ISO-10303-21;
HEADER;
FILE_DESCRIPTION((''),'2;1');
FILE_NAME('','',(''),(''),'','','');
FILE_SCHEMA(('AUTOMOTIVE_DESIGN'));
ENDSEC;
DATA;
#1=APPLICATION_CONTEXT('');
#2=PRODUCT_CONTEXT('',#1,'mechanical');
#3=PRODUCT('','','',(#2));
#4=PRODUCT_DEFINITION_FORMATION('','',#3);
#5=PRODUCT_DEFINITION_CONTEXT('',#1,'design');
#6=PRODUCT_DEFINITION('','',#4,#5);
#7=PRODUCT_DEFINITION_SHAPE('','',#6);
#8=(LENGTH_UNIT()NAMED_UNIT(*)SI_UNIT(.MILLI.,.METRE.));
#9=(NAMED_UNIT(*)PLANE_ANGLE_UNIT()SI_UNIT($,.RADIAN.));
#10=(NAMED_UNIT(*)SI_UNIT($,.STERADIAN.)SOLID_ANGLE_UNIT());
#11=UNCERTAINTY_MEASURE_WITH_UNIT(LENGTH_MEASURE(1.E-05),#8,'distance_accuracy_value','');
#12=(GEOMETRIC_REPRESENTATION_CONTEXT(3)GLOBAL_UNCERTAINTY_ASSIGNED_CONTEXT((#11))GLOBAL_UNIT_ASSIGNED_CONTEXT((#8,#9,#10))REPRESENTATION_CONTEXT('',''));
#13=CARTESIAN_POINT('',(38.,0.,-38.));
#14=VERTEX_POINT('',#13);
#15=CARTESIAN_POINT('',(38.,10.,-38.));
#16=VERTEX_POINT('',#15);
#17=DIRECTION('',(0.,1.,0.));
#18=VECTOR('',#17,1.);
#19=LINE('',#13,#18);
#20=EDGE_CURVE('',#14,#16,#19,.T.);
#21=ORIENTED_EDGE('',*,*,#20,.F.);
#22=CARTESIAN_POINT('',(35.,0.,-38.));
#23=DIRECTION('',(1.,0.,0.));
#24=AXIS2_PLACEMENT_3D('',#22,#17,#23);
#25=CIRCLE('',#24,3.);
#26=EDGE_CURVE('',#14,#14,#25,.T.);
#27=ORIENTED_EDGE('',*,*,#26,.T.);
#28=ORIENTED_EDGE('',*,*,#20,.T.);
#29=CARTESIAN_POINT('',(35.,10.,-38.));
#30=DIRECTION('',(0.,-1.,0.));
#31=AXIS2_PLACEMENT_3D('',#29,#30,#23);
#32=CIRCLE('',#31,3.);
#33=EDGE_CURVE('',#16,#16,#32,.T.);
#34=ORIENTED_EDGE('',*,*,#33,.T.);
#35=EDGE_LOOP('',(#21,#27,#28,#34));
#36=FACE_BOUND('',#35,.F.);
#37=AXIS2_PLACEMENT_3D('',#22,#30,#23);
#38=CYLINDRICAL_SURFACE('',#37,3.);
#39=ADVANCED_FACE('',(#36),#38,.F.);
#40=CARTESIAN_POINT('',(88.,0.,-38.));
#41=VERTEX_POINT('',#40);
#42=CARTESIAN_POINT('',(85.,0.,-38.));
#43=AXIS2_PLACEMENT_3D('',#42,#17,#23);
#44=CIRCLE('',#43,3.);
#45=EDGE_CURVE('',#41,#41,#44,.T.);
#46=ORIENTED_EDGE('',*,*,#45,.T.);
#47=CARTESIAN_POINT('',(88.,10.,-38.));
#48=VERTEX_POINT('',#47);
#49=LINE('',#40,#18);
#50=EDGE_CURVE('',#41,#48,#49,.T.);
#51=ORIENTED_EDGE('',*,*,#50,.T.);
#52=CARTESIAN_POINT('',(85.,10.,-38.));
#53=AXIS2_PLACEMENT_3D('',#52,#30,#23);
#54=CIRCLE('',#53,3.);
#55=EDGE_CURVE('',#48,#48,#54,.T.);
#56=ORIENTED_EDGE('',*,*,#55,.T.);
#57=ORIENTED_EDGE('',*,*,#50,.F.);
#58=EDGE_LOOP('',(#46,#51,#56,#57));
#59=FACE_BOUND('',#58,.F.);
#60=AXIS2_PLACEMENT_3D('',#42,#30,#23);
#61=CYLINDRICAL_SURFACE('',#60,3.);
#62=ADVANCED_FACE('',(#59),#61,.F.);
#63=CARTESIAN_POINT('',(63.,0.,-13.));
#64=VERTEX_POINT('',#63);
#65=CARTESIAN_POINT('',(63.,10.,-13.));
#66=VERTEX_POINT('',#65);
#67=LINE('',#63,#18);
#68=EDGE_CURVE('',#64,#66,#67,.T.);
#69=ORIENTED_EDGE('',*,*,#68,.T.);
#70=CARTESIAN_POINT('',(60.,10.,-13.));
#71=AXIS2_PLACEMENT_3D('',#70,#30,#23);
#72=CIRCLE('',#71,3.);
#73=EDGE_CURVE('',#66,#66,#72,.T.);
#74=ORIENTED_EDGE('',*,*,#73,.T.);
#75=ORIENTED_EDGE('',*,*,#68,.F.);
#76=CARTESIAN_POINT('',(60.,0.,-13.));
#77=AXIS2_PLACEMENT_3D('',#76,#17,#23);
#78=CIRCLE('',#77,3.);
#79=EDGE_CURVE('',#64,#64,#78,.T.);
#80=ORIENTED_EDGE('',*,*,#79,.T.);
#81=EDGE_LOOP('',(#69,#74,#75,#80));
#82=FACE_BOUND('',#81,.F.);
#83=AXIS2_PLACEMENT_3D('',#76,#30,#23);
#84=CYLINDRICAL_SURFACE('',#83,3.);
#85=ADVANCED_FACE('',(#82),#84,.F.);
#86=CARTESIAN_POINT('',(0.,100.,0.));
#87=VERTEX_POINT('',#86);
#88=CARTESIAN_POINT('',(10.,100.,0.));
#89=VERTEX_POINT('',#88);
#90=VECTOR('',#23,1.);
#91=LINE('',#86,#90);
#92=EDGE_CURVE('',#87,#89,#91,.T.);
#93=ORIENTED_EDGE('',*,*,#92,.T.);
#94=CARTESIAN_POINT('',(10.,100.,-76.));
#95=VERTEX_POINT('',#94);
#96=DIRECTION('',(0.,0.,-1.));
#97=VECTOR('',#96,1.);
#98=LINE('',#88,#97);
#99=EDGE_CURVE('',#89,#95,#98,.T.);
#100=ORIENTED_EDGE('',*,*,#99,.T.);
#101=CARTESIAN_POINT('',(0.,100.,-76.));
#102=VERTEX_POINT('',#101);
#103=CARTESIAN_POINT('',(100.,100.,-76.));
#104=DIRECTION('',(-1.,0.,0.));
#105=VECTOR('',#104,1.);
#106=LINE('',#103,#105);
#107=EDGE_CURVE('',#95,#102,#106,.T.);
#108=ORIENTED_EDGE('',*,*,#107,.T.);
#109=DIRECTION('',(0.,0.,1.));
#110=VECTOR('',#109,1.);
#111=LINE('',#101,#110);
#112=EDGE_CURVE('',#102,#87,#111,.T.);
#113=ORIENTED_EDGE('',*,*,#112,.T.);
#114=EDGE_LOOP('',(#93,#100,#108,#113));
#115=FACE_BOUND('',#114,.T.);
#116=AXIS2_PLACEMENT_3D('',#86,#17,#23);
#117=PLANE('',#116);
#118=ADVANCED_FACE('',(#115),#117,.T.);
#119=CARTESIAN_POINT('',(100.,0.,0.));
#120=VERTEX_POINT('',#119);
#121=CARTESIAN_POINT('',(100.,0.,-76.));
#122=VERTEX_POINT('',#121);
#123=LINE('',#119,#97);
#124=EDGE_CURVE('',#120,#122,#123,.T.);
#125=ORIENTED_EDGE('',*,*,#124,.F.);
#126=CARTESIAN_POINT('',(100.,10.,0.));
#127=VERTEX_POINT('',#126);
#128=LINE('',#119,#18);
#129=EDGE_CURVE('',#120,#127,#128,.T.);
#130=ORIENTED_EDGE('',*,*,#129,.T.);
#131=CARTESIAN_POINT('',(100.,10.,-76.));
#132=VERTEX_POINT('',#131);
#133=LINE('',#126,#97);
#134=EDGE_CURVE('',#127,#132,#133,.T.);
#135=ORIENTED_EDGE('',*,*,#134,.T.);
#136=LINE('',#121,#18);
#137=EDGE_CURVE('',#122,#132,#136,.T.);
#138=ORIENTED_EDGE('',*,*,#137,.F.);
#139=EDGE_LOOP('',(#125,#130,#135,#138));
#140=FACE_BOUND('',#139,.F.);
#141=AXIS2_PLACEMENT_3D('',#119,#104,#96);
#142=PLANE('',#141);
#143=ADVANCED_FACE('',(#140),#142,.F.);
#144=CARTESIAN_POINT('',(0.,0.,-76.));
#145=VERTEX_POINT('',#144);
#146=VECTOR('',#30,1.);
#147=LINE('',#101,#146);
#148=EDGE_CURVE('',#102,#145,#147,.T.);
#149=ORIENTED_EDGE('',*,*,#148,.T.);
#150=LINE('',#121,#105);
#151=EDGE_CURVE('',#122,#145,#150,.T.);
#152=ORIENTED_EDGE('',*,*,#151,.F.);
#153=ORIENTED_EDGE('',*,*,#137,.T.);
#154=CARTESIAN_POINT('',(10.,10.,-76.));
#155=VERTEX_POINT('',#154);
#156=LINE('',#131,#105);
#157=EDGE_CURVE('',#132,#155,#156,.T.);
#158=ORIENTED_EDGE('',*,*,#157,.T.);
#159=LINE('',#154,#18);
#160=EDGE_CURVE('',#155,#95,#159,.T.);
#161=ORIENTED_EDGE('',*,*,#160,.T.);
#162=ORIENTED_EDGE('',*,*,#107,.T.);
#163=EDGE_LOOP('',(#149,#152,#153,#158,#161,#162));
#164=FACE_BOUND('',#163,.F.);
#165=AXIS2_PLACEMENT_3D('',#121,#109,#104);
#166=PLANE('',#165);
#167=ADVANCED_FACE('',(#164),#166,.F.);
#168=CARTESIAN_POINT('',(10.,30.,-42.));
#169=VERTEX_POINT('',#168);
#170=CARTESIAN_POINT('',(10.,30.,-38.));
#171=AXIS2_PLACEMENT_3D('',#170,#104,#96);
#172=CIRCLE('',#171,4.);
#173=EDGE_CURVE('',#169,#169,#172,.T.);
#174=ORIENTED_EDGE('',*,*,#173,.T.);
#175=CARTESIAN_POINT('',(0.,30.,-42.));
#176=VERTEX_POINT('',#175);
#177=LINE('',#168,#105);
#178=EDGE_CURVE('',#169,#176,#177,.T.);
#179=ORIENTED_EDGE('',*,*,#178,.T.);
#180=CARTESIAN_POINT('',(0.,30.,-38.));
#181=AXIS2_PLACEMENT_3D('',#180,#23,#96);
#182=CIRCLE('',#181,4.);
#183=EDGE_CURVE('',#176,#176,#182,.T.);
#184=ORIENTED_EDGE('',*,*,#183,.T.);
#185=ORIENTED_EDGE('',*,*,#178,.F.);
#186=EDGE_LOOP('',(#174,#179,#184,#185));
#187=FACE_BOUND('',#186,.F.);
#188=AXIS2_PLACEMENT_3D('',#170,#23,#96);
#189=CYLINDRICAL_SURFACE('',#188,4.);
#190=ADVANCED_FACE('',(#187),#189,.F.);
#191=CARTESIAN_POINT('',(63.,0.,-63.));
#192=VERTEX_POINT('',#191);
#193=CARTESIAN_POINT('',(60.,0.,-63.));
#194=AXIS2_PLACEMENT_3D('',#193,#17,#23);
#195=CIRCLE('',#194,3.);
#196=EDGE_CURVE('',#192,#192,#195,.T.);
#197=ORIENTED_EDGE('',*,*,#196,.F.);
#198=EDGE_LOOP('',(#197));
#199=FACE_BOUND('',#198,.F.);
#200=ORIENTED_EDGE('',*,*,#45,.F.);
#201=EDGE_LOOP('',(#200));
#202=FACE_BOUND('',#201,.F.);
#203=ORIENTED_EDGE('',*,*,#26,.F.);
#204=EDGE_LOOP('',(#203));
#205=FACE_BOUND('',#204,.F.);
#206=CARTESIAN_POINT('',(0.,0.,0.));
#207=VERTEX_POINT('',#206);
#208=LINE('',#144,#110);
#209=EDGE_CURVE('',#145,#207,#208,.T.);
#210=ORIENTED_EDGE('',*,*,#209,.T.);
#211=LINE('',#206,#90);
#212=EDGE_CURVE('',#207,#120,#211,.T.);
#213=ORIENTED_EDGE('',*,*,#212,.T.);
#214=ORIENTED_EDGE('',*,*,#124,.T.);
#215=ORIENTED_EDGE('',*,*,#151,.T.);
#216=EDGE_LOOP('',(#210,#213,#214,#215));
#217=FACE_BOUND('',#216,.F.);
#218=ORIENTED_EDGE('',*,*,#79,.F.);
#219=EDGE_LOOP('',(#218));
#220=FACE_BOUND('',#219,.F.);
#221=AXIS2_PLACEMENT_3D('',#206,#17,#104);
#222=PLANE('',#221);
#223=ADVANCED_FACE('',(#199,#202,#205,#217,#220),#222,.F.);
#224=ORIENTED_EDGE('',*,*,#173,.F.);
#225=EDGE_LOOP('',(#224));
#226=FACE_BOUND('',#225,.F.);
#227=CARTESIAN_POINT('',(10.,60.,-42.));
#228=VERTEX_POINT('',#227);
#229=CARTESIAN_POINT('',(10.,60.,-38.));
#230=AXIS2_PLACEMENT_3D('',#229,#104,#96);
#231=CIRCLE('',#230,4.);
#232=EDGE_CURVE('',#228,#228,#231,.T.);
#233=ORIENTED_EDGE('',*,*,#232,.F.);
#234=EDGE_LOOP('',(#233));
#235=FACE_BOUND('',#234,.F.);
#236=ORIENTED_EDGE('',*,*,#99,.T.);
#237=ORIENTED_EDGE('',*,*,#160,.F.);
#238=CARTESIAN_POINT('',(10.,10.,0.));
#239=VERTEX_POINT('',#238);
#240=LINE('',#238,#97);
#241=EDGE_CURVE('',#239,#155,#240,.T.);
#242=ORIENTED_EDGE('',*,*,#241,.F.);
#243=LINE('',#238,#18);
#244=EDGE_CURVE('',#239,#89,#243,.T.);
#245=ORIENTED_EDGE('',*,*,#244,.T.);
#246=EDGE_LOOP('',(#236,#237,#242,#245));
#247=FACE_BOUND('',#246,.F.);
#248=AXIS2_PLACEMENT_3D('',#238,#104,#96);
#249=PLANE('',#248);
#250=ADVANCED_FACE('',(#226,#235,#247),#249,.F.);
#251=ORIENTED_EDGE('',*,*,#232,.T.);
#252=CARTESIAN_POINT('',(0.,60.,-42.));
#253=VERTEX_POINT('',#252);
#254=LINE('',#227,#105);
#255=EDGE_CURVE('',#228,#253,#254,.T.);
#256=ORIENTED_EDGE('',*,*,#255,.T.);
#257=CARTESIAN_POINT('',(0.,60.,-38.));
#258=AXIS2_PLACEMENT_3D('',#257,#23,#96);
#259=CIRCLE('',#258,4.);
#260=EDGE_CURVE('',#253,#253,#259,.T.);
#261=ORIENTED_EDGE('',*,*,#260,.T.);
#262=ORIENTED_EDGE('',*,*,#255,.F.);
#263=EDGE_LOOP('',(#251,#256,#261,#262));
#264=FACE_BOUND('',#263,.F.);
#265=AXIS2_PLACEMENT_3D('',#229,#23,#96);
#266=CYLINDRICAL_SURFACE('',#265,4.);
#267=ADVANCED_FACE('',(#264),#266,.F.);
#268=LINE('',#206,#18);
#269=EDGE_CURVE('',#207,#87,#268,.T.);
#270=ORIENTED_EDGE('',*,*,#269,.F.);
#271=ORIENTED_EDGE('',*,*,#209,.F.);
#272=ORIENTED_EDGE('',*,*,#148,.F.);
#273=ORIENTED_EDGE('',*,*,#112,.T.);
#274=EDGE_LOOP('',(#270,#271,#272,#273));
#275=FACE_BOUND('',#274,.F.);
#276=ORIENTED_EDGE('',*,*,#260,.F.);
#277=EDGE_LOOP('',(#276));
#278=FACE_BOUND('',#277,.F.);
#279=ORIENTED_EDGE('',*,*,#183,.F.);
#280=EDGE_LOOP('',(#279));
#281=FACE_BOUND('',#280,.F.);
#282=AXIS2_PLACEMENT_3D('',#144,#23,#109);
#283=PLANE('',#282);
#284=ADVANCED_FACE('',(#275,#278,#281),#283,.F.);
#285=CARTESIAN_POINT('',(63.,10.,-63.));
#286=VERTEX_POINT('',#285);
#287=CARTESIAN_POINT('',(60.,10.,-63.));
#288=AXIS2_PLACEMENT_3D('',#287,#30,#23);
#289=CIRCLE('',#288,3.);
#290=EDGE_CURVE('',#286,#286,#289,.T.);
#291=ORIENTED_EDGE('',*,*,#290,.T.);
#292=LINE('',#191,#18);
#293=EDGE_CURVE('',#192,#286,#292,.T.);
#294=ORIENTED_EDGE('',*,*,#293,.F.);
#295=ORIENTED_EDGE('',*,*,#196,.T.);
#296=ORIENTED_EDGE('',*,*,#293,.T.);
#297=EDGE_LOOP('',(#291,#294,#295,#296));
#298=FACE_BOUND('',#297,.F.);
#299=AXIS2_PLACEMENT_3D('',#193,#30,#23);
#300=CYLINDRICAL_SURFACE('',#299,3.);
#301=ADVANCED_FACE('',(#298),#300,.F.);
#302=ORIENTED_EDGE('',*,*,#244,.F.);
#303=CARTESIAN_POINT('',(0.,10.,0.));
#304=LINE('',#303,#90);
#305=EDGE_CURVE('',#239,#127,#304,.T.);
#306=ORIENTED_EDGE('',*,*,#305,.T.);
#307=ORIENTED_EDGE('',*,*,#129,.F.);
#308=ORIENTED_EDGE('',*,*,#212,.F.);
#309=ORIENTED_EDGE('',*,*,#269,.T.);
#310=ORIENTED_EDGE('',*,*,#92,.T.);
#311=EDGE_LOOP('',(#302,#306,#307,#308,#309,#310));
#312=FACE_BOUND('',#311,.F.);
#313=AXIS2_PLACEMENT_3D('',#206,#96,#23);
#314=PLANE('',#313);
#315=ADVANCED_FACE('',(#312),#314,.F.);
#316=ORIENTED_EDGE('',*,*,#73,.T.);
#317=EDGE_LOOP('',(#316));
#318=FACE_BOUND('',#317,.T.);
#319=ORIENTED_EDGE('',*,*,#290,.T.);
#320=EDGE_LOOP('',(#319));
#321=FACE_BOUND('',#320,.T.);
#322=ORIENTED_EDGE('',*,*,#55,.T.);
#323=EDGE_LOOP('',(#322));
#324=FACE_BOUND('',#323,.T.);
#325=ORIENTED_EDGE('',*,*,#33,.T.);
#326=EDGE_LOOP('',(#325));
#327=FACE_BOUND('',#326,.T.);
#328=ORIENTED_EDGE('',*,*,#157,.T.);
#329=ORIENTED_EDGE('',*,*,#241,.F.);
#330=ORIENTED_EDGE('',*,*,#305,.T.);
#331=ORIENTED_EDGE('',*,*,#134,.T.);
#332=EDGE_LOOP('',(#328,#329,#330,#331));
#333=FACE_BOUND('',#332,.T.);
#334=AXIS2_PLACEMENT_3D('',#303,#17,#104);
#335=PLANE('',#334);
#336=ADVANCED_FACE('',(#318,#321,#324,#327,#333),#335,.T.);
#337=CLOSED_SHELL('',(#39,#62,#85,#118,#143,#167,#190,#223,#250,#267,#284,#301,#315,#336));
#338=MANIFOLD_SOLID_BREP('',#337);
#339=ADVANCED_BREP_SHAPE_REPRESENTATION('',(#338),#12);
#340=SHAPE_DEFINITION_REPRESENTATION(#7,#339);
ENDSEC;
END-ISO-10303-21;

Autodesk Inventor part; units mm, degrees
ref_plane "YZ Plane" through (0, 0, 0) normal (1, 0, 0) x (0, 1, 0)
ref_plane "XZ Plane" through (0, 0, 0) normal (0, 1, 0) x (-1, 0, 0)
ref_plane "XY Plane" through (0, 0, 0) normal (0, 0, 1) x (1, 0, 0)
sketch "Sketch1" plane through (0, 0, 0) normal (0, 1, 0) x (-1, 0, 0)
  line L0 (0, 0) -> (-100, 0)
  line L1 (-100, 0) -> (-100, -76)
  line L2 (-100, -76) -> (0, -76)
  line L3 (0, -76) -> (0, 0)
  dimension "d0" = 100
  dimension "d1" = 76
extrude "Extrusion1" add sketch "Sketch1" along normal blind 10
sketch "Sketch2" plane through (0, 10, 0) normal (0, 1, 0) x (1, 0, 0)
  line L0 (0, 0) -> (100, 0) projected
  line L1 (100, 76) -> (0, 76) projected
  line L2 (0, 0) -> (10, 0)
  line L3 (10, 0) -> (10, 76)
  line L4 (10, 76) -> (0, 76)
  line L5 (0, 76) -> (0, 0)
  dimension "d4" = 10
extrude "Extrusion2" add sketch "Sketch2" along normal blind 90
sketch "Sketch3" plane through (10, 10, 0) normal (1, 0, 0) x (0, 0, -1)
  line L0 (0, -10) -> (76, -10) projected
  line L1 (0, -10) -> (38, -10)
  line L2 (38, -10) -> (38, 20)
  circle A0 centre (38, 20) radius 4
  line L3 (38, 20) -> (38, 50)
  circle A1 centre (38, 50) radius 4
  dimension "d7" = 30
  dimension "d8" = 8
  dimension "d9" = 30
  dimension "d10" = 8
sketch "Sketch4" plane through (0, 0, -76) normal (-1, 0, 0) x (0, 0, 1)
  circle A0 centre (38, 30) radius 4
  circle A1 centre (38, 60) radius 4
  point P0 (76, 0)
  dimension "d15" = 8
  dimension "d16" = 8
extrude "Extrusion3" cut sketch "Sketch3" against normal blind 10
sketch "Sketch5" plane through (0, 0, 0) normal (0, -1, 0) x (1, 0, 0)
  line L0 (0, -76) -> (0, 0) projected
  line L1 (0, -38) -> (60, -38)
  line L2 (100, 0) -> (100, -76) projected
  line L3 (60, -38) -> (60, -63)
  line L4 (60, -38) -> (60, -13)
  line L5 (60, -38) -> (35, -38)
  line L6 (60, -38) -> (85, -38)
  circle A0 centre (60, -63) radius 3
  circle A1 centre (85, -38) radius 3
  circle A2 centre (60, -13) radius 3
  circle A3 centre (35, -38) radius 3
  dimension "d19" = 60
  dimension "d20" = 25
  dimension "d21" = 25
  dimension "d22" = 25
  dimension "d23" = 25
  dimension "d24" = 6
  dimension "d25" = 6
  dimension "d26" = 6
  dimension "d27" = 6
extrude "Extrusion4" cut sketch "Sketch5" against normal blind 10
